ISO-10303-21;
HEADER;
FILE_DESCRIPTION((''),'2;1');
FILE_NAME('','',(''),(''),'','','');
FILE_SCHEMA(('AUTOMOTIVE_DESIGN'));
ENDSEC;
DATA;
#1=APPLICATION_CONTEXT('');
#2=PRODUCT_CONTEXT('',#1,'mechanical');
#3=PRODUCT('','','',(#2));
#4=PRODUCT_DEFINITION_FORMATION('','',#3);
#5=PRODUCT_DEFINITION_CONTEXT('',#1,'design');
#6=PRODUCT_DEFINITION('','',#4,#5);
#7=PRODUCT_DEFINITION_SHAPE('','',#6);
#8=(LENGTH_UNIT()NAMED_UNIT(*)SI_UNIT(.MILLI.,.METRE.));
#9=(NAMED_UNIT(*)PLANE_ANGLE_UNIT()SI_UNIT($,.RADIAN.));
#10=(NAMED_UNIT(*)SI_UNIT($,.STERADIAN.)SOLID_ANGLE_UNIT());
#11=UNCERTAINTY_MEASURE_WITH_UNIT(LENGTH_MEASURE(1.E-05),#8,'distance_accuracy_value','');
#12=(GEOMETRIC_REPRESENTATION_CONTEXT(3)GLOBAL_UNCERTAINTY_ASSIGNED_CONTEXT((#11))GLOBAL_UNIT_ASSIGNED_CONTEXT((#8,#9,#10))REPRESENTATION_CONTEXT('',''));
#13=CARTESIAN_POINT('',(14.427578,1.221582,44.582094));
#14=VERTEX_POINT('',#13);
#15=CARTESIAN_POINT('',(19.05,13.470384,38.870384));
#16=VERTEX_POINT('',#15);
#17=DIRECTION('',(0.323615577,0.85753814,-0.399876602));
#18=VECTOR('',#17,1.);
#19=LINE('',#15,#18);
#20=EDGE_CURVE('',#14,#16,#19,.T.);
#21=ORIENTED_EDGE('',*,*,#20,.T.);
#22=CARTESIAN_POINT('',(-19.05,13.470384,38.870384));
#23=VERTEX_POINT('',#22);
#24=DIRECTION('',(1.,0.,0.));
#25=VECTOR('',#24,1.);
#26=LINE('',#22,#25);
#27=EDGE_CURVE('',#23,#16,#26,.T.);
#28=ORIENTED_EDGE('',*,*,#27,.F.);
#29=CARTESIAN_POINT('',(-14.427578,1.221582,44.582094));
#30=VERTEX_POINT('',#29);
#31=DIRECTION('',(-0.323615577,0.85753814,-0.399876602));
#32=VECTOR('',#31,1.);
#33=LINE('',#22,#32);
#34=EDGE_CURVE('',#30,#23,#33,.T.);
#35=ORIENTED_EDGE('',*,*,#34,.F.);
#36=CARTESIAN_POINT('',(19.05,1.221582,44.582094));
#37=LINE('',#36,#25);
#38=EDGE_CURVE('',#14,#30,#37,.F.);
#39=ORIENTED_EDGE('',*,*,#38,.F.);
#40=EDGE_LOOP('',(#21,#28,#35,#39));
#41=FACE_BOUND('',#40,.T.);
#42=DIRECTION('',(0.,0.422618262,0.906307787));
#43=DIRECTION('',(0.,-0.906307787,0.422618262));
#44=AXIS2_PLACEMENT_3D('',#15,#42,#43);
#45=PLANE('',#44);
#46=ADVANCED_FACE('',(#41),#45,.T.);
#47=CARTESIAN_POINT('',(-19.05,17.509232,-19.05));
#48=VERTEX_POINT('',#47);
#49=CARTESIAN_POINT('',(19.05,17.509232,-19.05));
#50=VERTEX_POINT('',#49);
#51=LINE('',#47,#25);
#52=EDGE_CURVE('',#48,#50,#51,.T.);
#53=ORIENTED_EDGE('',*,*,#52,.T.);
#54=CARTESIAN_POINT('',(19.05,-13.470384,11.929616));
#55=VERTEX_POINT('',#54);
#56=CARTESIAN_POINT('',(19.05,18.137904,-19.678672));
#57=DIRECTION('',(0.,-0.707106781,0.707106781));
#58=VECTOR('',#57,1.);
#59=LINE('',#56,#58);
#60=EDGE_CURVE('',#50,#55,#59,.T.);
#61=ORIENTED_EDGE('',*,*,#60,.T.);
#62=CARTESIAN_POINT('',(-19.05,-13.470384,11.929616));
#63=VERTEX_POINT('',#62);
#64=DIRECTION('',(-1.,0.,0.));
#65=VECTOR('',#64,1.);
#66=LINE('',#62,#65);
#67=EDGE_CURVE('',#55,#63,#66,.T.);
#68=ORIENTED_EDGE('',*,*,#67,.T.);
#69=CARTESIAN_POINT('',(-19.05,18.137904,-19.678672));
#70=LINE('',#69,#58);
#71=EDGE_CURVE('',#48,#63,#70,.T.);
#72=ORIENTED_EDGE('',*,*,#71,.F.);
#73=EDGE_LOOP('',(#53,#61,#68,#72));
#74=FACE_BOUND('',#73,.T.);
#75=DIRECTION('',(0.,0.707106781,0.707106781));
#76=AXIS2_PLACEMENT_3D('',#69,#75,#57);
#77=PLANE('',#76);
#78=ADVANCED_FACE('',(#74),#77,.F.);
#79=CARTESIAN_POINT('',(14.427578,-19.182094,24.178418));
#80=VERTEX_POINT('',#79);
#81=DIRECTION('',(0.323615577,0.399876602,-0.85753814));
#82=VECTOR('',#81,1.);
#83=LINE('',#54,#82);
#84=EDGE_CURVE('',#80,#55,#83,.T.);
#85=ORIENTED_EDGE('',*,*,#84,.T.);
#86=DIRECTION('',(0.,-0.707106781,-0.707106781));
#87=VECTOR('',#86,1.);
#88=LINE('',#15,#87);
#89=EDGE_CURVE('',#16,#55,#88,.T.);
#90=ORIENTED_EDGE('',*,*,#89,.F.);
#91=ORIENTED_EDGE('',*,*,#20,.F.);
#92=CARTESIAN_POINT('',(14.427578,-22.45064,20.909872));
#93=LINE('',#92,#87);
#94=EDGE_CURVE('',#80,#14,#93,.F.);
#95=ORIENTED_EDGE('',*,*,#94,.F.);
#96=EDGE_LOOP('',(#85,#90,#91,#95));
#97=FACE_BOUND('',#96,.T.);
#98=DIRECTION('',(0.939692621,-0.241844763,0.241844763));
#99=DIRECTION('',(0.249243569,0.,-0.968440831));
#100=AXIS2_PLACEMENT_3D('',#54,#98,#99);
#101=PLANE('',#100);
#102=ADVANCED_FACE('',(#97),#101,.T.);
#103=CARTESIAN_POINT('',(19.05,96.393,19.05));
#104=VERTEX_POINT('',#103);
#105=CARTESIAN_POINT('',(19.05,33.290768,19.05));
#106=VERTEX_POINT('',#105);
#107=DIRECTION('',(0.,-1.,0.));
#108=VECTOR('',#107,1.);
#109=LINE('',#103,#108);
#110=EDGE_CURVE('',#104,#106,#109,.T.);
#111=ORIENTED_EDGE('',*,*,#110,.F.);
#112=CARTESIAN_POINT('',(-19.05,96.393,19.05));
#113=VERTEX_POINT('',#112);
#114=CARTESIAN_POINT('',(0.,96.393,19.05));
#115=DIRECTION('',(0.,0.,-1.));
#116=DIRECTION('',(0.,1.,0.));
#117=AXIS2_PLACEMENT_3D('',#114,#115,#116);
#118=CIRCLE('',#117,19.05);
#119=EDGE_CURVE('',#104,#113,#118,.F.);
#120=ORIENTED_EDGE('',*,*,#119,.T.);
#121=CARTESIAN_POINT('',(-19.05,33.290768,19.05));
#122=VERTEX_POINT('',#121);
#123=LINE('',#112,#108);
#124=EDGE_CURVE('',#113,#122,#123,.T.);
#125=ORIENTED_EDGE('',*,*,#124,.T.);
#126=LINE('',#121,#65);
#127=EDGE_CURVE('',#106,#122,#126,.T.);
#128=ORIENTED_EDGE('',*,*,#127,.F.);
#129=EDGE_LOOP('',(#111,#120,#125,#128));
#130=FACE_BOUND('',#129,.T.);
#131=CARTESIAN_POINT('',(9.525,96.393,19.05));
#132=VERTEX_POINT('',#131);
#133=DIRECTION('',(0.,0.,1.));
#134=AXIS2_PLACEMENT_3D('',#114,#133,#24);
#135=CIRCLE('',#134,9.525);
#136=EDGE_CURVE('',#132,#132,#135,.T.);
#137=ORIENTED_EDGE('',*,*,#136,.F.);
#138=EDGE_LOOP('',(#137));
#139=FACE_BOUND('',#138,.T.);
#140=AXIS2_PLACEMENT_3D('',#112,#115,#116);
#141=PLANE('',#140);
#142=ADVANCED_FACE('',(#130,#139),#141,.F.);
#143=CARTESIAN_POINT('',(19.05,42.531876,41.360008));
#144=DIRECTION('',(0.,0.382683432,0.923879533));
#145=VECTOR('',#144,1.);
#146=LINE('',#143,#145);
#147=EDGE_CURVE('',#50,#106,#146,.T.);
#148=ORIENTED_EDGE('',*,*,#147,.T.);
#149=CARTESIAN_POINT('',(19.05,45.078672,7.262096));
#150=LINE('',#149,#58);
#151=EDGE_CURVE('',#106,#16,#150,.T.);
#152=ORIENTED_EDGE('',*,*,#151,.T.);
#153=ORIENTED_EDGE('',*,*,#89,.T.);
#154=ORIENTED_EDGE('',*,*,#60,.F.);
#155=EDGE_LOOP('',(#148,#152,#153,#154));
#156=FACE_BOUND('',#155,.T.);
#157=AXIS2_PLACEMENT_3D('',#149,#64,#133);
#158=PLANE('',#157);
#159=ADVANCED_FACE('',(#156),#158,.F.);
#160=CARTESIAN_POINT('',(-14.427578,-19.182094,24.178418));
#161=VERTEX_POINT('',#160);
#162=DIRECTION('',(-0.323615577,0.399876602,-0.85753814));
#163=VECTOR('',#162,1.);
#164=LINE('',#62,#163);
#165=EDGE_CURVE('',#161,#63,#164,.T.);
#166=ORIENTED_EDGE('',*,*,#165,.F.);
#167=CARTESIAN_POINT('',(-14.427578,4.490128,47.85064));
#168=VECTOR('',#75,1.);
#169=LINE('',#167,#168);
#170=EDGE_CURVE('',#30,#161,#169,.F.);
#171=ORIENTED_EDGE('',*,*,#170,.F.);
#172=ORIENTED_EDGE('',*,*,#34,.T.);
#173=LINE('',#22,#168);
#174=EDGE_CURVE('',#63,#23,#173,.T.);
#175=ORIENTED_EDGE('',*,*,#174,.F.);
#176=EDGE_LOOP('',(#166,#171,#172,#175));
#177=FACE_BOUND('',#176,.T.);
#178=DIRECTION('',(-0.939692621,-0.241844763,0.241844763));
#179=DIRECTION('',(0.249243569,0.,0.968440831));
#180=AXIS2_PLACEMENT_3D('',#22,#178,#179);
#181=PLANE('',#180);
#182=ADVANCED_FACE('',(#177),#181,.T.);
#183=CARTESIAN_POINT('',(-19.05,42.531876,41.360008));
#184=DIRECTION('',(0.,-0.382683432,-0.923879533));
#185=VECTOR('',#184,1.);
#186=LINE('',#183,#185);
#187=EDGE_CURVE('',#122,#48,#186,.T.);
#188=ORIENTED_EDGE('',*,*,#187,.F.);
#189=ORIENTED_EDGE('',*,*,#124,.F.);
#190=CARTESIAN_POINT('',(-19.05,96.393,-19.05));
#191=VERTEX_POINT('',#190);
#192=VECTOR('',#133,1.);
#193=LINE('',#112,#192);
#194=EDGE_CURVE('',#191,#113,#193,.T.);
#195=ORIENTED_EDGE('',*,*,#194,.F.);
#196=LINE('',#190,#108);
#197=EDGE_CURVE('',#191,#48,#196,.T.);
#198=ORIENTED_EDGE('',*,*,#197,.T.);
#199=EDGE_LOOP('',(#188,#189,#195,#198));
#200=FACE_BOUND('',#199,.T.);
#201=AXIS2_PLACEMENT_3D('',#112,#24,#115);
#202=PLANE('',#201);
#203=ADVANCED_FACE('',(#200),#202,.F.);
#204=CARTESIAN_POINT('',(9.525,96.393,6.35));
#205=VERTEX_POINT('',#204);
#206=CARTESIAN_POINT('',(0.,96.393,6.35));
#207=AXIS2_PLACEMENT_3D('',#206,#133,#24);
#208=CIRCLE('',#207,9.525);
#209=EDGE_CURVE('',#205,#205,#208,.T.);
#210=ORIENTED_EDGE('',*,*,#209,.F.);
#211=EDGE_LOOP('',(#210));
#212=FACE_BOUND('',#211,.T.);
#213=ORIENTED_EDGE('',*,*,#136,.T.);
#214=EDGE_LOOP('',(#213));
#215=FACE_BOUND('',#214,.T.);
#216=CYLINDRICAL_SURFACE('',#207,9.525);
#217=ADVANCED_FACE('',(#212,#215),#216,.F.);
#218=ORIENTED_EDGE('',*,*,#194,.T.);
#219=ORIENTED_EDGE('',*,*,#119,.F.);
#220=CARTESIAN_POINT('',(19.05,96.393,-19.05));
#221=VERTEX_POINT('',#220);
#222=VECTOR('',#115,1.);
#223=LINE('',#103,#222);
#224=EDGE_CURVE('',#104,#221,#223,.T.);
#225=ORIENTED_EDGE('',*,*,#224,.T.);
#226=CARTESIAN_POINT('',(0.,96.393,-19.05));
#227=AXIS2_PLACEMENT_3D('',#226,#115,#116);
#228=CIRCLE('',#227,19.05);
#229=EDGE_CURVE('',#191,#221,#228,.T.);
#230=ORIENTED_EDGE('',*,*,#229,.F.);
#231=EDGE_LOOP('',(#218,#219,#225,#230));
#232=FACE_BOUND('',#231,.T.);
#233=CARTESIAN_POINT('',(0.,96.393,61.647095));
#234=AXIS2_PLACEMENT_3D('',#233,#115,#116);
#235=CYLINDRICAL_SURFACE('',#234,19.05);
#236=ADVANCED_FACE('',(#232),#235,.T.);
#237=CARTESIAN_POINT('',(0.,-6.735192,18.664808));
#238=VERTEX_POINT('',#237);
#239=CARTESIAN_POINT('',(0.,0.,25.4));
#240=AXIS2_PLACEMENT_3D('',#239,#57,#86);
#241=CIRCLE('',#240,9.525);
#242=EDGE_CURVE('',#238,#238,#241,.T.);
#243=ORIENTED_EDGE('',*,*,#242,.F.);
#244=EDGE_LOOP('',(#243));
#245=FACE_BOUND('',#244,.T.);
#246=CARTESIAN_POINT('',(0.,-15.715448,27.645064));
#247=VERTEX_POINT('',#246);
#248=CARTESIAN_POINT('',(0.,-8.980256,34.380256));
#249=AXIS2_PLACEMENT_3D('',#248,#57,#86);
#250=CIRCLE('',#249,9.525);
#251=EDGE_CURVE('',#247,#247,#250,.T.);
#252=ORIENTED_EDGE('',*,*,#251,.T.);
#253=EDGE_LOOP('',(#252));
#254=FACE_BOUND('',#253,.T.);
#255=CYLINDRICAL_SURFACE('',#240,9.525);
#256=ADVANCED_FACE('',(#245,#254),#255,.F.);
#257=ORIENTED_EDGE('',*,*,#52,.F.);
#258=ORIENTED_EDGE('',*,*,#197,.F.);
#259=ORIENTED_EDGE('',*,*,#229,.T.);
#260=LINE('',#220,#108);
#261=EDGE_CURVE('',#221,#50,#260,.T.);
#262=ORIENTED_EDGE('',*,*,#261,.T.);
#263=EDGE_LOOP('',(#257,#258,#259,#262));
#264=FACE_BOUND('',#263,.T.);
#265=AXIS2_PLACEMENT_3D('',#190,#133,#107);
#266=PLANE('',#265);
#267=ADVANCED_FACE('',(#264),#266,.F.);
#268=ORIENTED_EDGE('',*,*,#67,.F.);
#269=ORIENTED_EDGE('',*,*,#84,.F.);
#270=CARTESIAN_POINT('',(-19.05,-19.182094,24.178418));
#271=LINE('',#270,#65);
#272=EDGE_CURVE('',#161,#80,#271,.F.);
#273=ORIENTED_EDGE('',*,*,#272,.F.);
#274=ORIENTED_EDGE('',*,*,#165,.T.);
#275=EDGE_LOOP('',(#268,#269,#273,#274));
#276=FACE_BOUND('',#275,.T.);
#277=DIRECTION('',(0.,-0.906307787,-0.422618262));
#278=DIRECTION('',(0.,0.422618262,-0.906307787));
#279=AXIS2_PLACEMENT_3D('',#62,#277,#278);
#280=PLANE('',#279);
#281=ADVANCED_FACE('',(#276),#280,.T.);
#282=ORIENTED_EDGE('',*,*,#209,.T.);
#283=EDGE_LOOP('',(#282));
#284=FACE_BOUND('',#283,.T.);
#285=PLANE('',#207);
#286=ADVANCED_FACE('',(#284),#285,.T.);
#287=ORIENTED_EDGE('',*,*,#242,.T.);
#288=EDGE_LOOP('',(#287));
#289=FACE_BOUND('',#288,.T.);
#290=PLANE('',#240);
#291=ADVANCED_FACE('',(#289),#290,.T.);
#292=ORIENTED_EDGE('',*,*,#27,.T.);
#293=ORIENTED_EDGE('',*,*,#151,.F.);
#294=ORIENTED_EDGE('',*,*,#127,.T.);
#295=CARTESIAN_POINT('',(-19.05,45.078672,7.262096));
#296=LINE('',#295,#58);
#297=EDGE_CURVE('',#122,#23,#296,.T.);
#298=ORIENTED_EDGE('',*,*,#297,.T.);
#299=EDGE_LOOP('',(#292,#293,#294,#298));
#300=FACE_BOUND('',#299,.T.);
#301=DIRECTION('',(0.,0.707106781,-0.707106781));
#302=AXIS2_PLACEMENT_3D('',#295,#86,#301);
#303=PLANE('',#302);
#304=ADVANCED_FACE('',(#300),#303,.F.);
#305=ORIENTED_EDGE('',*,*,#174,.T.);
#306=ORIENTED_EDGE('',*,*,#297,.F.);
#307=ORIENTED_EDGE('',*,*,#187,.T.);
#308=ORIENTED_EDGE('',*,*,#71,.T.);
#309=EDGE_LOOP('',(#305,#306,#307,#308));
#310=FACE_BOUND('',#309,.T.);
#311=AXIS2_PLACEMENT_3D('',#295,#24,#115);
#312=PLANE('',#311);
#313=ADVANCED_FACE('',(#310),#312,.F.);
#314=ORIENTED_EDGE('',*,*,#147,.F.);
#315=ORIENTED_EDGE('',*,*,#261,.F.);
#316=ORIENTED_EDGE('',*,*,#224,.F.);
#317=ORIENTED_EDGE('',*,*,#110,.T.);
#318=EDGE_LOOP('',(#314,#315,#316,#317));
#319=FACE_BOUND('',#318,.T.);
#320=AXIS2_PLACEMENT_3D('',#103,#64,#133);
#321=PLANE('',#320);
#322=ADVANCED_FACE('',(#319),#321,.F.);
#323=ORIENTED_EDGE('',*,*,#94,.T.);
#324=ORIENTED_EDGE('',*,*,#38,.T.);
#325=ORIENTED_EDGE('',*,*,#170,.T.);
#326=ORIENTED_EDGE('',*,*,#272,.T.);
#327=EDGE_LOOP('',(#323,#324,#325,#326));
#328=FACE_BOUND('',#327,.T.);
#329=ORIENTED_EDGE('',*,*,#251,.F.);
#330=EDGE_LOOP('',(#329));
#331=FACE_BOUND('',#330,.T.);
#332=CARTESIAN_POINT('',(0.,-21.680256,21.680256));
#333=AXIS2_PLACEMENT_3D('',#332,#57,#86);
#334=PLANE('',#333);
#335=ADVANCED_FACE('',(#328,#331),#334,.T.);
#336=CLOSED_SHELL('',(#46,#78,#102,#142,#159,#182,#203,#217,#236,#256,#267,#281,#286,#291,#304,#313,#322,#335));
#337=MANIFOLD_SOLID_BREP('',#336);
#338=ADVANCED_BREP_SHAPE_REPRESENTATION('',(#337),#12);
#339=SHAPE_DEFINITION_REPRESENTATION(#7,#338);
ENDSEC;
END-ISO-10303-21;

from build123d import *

# Parameters (mm, degrees)
SKETCH11_W          = 38.1
SKETCH11_H          = 38.1
SKETCH12_W          = 38.1
SKETCH12_H          = 38.1
BOSS_EXTRUDE5_DEPTH = 12.7
BOSS_EXTRUDE5_TAPER = 20
BOSS_EXTRUDE6_DEPTH = 38.1
SKETCH14_R          = 9.525
CUT_EXTRUDE2_DEPTH  = 12.7
SKETCH15_R          = 9.525
CUT_EXTRUDE3_DEPTH  = 12.7


with BuildPart() as part:
    # Sweep1: sweep along a path in Sketch10
    with BuildLine(Plane(origin=(0, 0, 0), x_dir=(0, 0, -1), z_dir=(1, 0, 0))) as sweep1_path:
        Line((0, 96.393), (0, 25.4))
        Line((0, 25.4), (-25.4, 0))
    # Sketch11 → Sweep1 (sweep)
    with BuildSketch(Plane(origin=(0, 96.393, 0), x_dir=(1, 0, 0), z_dir=(0, 1, 0))):
        Rectangle(SKETCH11_W, SKETCH11_H)
    sweep(path=sweep1_path.line, transition=Transition.RIGHT)

    # Sketch12 → Boss-Extrude5 (add)
    with BuildSketch(Plane(origin=(0, -12.7, 12.7), x_dir=(1, 0, 0), z_dir=(0, -0.7071067811865461, 0.7071067811865489))):
        with Locations((0, 17.960512242)):
            Rectangle(SKETCH12_W, SKETCH12_H)
    extrude(amount=BOSS_EXTRUDE5_DEPTH, taper=BOSS_EXTRUDE5_TAPER)

    # Sketch13 → Boss-Extrude6 (add)
    with BuildSketch(Plane(origin=(0, 0, -19.05), x_dir=(-1, 0, 0), z_dir=(0, 0, -1))):
        with BuildLine():
            Line((-19.05, 96.393), (19.05, 96.393))
            ThreePointArc((19.05, 96.393), (0, 115.443), (-19.05, 96.393))
        make_face()
    extrude(amount=-BOSS_EXTRUDE6_DEPTH)

    # Sketch14 → Cut-Extrude2 (cut)
    with BuildSketch(Plane.XY.offset(19.05)):
        with Locations((0, 96.393)):
            Circle(SKETCH14_R)
    extrude(amount=-CUT_EXTRUDE2_DEPTH, mode=Mode.SUBTRACT)

    # Sketch15 → Cut-Extrude3 (cut)
    with BuildSketch(Plane(origin=(0, -21.680256121, 21.680256121), x_dir=(1, 0, 0), z_dir=(0, -0.7071067811865461, 0.7071067811865489))):
        with Locations(Location((0, 17.960512242, 0), (0, 0, 270))):
            Circle(SKETCH15_R)
    extrude(amount=-CUT_EXTRUDE3_DEPTH, mode=Mode.SUBTRACT)


solid = part.part
